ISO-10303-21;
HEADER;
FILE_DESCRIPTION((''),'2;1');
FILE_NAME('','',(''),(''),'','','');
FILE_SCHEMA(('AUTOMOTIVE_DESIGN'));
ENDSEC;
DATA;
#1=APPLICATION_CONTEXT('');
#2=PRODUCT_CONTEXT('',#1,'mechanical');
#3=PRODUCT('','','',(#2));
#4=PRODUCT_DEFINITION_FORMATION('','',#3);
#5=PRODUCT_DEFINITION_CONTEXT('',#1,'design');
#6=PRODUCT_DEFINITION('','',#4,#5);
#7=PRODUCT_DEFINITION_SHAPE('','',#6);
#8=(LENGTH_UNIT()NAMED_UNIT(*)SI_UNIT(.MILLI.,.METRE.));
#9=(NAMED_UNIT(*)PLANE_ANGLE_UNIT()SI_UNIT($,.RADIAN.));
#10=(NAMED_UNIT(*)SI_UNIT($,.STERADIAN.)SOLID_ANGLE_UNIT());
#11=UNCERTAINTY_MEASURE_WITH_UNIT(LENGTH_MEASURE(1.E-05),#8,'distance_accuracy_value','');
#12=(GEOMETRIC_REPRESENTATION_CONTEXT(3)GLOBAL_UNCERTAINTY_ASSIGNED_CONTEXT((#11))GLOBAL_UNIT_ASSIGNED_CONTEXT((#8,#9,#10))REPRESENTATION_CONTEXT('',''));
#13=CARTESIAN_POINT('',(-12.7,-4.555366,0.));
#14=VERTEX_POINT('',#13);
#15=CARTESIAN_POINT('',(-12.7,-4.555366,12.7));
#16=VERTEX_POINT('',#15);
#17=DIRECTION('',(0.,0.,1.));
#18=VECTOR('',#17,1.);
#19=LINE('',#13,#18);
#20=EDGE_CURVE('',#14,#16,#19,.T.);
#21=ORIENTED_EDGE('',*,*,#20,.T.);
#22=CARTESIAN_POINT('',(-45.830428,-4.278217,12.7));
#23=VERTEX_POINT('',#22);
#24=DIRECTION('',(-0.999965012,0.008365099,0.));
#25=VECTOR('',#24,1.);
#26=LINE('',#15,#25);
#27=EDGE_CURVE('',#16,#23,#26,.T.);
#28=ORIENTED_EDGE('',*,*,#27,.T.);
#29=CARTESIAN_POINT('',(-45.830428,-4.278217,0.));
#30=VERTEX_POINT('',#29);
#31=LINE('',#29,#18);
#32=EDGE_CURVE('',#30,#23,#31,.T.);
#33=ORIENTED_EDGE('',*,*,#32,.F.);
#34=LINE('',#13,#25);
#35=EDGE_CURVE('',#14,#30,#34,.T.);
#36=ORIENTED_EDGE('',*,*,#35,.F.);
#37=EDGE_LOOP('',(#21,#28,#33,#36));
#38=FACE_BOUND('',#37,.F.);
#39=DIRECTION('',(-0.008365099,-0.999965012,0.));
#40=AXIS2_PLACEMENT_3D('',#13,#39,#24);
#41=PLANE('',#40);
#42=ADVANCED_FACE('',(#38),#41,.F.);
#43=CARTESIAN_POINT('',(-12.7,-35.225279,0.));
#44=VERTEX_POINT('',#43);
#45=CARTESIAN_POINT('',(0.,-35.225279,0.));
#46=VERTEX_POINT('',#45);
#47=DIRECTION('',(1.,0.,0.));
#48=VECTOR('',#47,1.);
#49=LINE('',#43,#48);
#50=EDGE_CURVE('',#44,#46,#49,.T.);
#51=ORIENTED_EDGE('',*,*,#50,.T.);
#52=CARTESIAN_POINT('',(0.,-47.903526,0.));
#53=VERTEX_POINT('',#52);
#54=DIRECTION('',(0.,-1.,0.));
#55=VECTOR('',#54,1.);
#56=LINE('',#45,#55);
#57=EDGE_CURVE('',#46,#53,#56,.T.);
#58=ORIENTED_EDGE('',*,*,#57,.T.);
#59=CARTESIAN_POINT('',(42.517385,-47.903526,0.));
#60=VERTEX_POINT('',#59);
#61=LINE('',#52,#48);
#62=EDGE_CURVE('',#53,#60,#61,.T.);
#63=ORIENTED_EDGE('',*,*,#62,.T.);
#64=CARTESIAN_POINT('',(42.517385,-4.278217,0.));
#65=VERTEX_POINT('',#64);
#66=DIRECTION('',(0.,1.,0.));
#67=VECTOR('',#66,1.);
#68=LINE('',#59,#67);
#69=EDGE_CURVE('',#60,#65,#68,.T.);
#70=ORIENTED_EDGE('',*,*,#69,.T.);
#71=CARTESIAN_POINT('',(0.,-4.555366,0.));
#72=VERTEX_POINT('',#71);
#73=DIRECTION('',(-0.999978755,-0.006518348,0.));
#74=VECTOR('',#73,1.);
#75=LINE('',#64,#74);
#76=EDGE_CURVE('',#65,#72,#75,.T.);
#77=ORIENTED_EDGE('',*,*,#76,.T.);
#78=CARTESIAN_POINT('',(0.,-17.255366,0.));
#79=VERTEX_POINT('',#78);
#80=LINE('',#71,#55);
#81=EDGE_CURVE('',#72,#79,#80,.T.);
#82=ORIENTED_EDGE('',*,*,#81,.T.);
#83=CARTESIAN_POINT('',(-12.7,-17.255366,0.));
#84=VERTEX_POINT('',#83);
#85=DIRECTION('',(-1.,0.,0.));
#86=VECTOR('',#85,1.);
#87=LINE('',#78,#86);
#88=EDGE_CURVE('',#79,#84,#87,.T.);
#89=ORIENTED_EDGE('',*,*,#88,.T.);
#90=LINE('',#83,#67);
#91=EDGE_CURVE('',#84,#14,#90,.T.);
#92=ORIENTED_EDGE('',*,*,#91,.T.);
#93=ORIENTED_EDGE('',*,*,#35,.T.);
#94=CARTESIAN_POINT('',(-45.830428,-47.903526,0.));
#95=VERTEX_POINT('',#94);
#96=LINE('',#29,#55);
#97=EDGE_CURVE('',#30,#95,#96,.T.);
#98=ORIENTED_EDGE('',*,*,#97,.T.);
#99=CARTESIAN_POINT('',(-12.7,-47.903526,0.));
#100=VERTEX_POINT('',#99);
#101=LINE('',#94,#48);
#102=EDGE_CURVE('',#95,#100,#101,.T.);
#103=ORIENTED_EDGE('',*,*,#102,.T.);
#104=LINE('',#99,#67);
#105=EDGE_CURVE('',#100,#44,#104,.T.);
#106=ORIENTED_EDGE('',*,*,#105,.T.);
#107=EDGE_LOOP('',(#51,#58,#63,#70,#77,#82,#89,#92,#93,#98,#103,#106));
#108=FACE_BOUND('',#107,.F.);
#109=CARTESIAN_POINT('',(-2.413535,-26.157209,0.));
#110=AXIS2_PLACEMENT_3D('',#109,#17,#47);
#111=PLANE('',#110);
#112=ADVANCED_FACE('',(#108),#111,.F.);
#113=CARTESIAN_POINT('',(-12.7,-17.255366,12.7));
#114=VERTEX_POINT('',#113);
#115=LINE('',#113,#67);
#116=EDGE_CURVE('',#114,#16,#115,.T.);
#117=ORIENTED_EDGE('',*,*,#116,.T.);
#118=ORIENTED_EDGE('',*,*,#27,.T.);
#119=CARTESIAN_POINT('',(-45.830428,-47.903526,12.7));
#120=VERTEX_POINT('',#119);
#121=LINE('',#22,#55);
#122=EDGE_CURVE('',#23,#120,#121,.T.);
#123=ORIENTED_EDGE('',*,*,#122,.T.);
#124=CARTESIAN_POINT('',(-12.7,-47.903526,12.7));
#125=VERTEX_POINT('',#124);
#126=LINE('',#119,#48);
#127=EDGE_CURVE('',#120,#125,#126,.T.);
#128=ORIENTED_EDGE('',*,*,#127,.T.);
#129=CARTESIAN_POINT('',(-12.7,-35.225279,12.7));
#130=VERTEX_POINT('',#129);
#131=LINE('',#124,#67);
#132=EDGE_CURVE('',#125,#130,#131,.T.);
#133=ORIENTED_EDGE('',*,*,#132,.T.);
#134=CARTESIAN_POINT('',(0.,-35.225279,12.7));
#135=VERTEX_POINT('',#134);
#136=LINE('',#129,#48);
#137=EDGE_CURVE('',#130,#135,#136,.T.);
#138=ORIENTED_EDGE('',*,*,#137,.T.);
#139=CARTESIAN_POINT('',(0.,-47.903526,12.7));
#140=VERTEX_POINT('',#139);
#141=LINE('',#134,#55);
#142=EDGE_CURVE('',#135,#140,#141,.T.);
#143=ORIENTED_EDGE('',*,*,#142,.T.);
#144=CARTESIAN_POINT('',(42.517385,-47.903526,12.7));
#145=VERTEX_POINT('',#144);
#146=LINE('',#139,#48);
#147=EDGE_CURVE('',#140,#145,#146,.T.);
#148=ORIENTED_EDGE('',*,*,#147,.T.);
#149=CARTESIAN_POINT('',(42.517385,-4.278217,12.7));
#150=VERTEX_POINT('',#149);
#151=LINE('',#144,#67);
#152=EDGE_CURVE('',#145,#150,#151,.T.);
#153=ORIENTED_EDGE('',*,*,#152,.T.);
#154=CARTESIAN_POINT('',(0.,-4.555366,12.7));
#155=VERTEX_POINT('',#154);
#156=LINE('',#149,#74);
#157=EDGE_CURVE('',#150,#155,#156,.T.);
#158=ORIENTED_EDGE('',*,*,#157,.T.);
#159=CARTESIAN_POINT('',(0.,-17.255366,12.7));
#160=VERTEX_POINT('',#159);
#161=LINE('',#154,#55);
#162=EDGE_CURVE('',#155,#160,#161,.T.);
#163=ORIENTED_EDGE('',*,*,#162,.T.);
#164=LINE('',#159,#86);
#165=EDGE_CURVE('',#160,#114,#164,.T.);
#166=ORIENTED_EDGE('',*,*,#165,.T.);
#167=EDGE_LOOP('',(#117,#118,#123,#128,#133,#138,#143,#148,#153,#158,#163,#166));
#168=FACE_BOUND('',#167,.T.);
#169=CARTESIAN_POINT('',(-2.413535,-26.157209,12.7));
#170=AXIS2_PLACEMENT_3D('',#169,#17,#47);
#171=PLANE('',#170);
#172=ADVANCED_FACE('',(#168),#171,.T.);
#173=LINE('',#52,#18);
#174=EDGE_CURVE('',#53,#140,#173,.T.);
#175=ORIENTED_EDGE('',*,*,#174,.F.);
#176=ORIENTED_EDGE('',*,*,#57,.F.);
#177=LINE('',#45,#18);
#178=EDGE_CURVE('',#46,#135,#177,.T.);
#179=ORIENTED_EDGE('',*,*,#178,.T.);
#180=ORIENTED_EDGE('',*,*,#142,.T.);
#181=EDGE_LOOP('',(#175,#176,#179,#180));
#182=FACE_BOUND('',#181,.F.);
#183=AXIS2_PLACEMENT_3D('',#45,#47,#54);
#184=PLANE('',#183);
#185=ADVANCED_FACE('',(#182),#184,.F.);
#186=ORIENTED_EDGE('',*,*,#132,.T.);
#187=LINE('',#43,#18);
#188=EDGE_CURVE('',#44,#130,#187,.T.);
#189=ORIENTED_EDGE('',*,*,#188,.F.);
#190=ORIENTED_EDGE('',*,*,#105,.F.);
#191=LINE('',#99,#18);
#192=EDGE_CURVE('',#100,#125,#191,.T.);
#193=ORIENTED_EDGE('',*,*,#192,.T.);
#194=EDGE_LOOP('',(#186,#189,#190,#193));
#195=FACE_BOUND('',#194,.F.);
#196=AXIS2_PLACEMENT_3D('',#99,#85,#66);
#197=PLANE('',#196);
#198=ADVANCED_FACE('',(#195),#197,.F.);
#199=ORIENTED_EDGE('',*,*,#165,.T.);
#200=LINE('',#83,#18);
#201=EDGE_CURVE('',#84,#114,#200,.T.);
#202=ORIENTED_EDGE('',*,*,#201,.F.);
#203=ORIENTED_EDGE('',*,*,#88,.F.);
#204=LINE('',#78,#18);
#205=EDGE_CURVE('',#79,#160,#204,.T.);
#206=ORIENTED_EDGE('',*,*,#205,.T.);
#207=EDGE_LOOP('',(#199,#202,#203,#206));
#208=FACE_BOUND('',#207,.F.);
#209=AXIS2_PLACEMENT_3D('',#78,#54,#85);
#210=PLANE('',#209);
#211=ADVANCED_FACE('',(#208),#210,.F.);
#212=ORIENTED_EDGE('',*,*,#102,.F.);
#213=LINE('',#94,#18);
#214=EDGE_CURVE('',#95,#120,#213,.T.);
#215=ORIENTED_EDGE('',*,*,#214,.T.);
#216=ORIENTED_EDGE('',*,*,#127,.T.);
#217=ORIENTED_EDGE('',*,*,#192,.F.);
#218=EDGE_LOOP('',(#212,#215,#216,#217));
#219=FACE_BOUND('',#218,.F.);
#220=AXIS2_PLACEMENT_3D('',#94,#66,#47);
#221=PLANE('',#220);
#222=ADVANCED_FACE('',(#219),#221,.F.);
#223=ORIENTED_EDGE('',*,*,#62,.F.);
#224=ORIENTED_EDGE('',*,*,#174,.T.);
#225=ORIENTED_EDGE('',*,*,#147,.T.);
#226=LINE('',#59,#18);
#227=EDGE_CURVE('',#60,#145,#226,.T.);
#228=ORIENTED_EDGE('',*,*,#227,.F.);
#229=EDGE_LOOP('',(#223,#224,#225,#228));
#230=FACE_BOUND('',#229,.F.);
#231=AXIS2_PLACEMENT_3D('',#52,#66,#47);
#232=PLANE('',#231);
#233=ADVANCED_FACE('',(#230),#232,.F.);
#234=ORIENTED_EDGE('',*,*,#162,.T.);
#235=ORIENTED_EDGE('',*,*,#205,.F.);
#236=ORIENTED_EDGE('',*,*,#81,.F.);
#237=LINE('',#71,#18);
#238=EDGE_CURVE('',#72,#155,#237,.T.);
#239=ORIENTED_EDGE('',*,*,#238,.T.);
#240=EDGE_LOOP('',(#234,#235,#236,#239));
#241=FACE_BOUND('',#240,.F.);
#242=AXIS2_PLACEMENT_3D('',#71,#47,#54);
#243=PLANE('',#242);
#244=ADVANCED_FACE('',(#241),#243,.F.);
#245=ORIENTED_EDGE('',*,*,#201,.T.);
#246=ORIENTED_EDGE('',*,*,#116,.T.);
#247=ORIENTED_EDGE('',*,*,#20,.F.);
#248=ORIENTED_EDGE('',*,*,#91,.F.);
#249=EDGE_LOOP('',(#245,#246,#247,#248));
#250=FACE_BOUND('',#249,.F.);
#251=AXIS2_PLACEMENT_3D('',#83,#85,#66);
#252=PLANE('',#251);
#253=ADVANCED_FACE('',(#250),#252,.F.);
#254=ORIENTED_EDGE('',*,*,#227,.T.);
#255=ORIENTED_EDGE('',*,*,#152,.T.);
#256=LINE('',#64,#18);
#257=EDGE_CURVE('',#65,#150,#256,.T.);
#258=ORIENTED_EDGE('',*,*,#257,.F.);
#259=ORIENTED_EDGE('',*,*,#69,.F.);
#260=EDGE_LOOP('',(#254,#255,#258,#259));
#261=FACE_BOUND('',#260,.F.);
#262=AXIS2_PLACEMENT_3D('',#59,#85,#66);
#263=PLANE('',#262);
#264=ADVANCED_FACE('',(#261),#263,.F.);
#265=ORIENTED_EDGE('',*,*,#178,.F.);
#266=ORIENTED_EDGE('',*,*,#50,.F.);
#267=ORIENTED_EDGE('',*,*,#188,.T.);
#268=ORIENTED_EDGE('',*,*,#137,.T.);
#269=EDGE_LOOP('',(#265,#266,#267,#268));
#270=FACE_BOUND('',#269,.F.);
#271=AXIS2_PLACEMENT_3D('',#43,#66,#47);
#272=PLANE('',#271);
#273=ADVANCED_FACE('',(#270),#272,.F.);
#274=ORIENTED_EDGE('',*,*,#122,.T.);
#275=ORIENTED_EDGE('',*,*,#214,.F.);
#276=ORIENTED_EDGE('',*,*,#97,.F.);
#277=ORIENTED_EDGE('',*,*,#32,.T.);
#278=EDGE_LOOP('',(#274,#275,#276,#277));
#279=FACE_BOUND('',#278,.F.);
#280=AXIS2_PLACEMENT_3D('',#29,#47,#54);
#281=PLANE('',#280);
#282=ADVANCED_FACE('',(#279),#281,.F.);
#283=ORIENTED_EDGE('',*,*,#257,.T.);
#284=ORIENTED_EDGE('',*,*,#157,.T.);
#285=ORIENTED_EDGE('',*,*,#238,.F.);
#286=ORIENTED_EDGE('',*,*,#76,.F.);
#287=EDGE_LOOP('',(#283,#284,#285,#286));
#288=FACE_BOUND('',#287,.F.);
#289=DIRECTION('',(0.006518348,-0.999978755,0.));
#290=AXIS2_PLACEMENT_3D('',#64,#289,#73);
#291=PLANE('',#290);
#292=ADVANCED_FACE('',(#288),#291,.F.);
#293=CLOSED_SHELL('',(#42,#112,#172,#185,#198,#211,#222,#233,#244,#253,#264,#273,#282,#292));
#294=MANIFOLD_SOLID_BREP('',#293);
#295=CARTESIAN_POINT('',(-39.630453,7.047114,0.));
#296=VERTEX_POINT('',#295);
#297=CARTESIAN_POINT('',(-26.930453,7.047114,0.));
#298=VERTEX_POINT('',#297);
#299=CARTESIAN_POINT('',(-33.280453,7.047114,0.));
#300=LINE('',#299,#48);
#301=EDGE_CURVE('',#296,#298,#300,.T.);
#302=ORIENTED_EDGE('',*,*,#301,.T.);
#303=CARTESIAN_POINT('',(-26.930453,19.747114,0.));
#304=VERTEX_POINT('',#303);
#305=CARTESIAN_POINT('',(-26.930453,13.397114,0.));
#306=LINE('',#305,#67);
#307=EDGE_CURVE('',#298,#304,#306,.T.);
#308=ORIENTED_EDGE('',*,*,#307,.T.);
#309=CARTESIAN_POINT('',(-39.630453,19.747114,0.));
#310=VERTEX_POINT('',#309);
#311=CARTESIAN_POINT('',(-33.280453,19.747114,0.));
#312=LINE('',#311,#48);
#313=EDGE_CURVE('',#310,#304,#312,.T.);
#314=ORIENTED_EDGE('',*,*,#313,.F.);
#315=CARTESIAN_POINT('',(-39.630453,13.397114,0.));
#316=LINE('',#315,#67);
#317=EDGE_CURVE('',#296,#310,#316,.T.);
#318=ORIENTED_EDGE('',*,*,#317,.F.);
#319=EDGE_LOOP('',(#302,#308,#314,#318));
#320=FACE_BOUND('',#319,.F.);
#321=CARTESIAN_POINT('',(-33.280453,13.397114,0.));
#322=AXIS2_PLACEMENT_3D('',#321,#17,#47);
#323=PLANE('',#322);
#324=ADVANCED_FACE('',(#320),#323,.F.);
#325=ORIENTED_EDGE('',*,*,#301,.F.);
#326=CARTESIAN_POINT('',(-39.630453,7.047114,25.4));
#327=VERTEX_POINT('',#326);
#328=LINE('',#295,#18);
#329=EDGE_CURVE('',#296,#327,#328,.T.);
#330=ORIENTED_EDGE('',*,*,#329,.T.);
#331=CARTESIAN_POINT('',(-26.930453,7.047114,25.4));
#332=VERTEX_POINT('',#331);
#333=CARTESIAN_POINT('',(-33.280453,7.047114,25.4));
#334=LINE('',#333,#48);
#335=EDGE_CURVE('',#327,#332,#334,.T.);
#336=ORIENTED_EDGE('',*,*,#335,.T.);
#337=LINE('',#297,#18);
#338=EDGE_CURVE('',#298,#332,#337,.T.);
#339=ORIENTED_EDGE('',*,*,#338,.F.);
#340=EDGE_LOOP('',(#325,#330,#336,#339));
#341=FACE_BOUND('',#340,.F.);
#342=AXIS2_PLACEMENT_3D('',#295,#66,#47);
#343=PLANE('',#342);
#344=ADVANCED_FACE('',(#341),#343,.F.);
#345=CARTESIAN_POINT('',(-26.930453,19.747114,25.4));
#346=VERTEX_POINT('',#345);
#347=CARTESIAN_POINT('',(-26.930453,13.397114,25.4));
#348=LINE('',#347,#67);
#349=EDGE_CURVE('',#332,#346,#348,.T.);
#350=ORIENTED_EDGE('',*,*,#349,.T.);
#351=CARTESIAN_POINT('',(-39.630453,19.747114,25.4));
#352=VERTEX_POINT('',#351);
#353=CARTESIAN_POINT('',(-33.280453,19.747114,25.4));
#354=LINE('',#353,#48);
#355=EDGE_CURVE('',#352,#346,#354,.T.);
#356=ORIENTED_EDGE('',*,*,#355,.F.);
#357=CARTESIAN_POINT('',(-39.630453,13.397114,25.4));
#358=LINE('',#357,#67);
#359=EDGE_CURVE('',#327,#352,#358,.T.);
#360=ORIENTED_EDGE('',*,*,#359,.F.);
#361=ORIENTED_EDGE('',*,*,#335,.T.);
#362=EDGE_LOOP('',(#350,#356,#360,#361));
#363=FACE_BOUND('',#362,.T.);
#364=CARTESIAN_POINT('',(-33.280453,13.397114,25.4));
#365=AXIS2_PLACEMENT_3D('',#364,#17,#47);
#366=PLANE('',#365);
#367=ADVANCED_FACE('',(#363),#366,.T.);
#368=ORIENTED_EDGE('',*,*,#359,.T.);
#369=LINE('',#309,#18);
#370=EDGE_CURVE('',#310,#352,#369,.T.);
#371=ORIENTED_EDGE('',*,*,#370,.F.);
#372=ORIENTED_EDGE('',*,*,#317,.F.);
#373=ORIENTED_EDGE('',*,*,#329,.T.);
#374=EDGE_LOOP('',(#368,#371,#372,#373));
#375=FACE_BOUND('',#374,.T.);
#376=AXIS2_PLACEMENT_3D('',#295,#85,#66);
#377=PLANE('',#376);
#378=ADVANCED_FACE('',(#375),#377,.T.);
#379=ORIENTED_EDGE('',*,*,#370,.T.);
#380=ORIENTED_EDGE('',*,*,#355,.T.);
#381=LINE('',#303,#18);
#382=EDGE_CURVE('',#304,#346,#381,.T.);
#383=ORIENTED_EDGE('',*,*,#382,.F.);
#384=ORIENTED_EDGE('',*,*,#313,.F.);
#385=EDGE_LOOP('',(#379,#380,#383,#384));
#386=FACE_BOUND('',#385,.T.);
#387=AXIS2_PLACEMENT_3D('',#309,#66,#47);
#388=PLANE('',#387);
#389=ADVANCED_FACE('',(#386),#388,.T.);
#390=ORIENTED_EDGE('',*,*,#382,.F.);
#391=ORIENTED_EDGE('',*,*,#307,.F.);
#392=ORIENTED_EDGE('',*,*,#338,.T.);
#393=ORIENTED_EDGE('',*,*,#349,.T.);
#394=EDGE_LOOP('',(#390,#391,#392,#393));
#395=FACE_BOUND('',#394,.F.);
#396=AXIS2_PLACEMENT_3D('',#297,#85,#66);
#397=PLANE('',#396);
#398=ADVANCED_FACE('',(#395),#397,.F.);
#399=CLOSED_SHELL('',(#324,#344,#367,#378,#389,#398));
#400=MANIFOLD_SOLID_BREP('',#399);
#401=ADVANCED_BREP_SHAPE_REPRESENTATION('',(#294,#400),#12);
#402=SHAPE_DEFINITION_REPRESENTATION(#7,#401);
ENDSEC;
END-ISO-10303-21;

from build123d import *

# Parameters (mm, degrees)
F0_W     = 12.7
F0_H     = 12.7
F1_DEPTH = 25.4
F3_DEPTH = 12.7


with BuildPart() as f1:
    # F0 (on Top) → F1 (new body)
    with BuildSketch(Plane.XY):
        with Locations((-33.280453, 13.397114)):
            Rectangle(F0_W, F0_H)
    extrude(amount=F1_DEPTH)


with BuildPart() as f3:
    # F2 (on Top) → F3 (new body)
    with BuildSketch(Plane.XY):
        Polygon((-45.830428, -4.278217), (-45.830428, -47.903526), (-12.7, -47.903526), (-12.7, -35.225279), (0, -35.225279), (0, -47.903526), (42.517385, -47.903526), (42.517385, -4.278217), (0, -4.555366), (0, -17.255366), (-12.7, -17.255366), (-12.7, -4.555366), align=None)
    extrude(amount=F3_DEPTH)


solid = Compound([f1.part, f3.part])
